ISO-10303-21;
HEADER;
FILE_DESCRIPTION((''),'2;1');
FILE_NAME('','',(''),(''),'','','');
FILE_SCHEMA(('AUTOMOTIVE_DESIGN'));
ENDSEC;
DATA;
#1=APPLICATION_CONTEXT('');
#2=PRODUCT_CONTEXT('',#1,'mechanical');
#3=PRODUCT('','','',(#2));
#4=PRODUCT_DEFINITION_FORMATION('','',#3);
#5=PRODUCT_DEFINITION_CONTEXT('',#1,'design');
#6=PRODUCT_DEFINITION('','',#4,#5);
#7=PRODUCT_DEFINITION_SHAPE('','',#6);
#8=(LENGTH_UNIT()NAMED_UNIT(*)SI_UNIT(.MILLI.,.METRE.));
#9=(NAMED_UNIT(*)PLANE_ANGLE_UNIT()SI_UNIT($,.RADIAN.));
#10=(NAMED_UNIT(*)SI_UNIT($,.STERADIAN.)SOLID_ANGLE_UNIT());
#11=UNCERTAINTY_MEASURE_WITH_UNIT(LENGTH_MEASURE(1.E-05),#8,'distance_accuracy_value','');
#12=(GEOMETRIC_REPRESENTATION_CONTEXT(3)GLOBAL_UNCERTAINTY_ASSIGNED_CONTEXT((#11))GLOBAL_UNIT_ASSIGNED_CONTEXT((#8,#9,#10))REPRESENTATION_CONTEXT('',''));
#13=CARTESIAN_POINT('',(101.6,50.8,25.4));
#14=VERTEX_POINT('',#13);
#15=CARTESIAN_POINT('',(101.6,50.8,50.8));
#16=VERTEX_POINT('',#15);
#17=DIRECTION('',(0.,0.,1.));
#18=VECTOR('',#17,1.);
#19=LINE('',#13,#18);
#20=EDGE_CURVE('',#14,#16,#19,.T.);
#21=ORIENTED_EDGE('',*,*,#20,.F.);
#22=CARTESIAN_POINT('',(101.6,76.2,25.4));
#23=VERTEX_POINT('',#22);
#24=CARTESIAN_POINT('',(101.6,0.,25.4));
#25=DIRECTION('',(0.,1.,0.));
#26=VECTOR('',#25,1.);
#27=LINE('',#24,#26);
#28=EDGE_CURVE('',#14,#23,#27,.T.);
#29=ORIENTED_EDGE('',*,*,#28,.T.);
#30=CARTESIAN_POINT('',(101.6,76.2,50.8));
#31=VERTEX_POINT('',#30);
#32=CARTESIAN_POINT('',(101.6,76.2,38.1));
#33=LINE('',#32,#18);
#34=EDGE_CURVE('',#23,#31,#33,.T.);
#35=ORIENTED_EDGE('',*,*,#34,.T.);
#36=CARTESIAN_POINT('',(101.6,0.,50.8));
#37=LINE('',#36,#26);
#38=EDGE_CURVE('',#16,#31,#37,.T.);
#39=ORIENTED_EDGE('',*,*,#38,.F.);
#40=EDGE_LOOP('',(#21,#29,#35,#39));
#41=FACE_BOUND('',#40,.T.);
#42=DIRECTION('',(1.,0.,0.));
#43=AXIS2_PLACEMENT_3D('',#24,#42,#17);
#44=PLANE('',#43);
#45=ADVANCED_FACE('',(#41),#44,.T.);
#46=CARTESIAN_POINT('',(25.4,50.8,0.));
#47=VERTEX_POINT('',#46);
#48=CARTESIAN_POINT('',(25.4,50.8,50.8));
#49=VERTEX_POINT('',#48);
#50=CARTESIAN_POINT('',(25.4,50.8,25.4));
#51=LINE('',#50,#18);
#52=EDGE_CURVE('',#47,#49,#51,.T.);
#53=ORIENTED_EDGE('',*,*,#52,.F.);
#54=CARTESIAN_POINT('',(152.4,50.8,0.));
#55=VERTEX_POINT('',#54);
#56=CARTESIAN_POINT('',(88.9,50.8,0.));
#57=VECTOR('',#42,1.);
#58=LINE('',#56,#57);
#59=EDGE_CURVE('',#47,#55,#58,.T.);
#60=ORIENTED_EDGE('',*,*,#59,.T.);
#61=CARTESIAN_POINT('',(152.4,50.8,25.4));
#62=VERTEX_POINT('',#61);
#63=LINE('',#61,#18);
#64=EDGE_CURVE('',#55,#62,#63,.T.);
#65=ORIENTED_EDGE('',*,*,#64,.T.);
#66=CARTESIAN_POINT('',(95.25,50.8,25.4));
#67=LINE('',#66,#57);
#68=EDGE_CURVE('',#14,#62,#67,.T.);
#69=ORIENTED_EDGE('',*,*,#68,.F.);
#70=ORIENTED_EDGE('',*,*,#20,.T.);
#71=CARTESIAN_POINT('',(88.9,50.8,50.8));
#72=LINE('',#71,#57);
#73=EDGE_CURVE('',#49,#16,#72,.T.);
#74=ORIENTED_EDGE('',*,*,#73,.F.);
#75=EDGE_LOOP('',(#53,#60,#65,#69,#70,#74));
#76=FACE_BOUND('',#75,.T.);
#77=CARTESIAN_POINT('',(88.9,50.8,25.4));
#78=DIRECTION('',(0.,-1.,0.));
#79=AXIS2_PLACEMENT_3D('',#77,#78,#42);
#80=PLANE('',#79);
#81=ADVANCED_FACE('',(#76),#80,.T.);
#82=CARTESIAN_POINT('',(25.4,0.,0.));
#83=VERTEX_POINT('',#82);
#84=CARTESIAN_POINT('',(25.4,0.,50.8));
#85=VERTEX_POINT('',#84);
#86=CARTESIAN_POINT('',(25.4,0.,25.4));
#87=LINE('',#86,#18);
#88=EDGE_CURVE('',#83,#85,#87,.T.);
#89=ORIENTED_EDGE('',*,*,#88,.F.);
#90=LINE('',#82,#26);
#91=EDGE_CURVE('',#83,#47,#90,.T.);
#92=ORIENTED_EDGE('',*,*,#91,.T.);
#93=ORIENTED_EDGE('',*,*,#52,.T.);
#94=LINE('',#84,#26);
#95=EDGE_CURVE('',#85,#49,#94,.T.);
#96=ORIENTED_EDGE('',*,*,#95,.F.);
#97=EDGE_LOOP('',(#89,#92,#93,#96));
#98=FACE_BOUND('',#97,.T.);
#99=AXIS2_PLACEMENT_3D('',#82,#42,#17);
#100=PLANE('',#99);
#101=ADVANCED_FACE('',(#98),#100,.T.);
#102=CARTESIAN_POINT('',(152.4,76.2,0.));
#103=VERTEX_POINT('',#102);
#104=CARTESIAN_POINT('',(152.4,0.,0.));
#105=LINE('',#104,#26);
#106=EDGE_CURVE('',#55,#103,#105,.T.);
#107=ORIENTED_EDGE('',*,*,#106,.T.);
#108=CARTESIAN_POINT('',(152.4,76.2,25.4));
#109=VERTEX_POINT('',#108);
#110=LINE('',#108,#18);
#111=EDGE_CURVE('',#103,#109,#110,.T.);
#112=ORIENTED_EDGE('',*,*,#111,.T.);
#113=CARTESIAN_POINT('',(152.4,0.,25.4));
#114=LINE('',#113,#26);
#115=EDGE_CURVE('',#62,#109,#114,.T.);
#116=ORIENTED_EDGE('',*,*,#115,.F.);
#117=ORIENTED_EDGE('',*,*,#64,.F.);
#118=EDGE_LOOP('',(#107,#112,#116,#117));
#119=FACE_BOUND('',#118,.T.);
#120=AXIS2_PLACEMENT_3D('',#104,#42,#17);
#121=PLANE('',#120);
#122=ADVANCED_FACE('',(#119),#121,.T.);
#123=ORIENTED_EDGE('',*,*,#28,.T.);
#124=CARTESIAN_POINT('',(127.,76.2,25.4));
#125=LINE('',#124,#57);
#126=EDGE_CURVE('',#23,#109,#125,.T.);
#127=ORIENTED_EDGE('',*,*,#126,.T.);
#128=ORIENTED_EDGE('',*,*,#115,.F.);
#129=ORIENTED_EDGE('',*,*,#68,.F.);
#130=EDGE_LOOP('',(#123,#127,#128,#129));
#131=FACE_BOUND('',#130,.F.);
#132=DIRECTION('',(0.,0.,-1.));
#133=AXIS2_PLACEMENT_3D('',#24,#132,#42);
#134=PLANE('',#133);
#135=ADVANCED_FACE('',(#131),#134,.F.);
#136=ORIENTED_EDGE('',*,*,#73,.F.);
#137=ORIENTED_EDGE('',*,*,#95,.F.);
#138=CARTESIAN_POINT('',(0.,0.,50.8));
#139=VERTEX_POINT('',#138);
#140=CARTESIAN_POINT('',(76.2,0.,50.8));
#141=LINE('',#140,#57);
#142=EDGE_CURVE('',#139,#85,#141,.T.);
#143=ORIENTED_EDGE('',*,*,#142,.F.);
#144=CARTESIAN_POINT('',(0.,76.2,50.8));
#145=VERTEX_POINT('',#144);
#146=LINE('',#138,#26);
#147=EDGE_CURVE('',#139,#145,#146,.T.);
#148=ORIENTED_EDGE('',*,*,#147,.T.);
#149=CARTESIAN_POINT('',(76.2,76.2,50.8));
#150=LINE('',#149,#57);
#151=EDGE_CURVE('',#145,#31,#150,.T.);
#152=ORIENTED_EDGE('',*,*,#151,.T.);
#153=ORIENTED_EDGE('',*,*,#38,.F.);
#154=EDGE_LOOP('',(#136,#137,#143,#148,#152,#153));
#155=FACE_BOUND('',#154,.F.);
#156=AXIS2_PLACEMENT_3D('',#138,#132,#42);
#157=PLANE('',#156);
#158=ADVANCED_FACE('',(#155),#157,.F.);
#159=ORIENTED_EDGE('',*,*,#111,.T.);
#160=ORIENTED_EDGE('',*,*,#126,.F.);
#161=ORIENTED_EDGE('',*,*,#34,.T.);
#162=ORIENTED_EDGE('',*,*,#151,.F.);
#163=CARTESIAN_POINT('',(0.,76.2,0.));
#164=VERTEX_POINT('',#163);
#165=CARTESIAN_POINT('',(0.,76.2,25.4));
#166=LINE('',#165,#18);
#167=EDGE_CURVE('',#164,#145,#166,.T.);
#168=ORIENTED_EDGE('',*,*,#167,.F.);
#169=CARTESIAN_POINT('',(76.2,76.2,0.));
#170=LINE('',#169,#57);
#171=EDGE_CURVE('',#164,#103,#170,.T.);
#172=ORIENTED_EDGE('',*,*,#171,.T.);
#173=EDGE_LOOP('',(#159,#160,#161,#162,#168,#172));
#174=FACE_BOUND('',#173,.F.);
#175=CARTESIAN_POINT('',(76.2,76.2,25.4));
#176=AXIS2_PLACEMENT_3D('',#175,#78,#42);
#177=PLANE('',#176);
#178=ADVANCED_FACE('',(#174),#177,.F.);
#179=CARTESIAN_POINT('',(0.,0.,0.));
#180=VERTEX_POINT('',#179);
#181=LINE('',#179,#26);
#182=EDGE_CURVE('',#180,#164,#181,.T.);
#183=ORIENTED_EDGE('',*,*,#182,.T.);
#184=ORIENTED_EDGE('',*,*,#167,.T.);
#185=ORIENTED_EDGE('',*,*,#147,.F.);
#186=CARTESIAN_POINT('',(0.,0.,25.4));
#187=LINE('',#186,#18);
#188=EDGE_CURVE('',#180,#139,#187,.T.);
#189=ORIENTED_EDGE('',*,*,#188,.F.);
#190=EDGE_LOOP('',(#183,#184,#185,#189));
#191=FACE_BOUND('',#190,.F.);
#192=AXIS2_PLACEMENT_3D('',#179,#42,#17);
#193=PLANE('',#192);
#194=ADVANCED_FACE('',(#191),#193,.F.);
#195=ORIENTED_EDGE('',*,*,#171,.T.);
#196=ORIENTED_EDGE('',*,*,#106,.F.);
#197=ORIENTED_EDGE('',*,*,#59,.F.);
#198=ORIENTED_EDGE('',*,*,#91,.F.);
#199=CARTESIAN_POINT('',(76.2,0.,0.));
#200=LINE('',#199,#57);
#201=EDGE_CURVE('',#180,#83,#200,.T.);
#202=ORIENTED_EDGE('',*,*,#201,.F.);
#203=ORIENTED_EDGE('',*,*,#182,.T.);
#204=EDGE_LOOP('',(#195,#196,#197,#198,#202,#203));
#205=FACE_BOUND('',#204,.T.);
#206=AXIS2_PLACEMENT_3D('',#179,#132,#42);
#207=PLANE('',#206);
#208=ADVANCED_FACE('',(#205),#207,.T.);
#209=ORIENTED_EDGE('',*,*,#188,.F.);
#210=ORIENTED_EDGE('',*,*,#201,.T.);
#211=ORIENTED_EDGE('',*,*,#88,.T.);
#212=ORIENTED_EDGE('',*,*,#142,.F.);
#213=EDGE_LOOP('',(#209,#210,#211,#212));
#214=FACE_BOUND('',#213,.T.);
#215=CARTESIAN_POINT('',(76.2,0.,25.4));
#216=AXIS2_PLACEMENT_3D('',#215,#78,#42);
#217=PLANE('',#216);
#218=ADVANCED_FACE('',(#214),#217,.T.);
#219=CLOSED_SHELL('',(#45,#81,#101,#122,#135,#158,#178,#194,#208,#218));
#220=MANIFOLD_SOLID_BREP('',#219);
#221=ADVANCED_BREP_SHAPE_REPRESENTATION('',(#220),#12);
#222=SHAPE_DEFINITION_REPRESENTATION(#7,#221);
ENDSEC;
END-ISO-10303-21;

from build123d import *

# Parameters (mm, degrees)
F0_W     = 152.4
F0_H     = 50.8
F1_DEPTH = 76.2
F2_W     = 127
F2_H     = 50.8
F3_DEPTH = 50.8
F4_W     = 50.8
F4_H     = 25.4
F5_DEPTH = 76.2


with BuildPart() as f1:
    # F0 (on Front) → F1 (new body)
    with BuildSketch(Plane.XZ):
        with Locations((76.2, 25.4)):
            Rectangle(F0_W, F0_H)
    extrude(amount=-F1_DEPTH)

    # F2 (on Front) → F3 (cut)
    with BuildSketch(Plane.XZ):
        with Locations((88.9, 25.4)):
            Rectangle(F2_W, F2_H)
    extrude(amount=-F3_DEPTH, mode=Mode.SUBTRACT)

    # F4 (on Front) → F5 (cut)
    with BuildSketch(Plane.XZ):
        with Locations((127, 38.1)):
            Rectangle(F4_W, F4_H)
    extrude(amount=-F5_DEPTH, mode=Mode.SUBTRACT)


solid = f1.part
